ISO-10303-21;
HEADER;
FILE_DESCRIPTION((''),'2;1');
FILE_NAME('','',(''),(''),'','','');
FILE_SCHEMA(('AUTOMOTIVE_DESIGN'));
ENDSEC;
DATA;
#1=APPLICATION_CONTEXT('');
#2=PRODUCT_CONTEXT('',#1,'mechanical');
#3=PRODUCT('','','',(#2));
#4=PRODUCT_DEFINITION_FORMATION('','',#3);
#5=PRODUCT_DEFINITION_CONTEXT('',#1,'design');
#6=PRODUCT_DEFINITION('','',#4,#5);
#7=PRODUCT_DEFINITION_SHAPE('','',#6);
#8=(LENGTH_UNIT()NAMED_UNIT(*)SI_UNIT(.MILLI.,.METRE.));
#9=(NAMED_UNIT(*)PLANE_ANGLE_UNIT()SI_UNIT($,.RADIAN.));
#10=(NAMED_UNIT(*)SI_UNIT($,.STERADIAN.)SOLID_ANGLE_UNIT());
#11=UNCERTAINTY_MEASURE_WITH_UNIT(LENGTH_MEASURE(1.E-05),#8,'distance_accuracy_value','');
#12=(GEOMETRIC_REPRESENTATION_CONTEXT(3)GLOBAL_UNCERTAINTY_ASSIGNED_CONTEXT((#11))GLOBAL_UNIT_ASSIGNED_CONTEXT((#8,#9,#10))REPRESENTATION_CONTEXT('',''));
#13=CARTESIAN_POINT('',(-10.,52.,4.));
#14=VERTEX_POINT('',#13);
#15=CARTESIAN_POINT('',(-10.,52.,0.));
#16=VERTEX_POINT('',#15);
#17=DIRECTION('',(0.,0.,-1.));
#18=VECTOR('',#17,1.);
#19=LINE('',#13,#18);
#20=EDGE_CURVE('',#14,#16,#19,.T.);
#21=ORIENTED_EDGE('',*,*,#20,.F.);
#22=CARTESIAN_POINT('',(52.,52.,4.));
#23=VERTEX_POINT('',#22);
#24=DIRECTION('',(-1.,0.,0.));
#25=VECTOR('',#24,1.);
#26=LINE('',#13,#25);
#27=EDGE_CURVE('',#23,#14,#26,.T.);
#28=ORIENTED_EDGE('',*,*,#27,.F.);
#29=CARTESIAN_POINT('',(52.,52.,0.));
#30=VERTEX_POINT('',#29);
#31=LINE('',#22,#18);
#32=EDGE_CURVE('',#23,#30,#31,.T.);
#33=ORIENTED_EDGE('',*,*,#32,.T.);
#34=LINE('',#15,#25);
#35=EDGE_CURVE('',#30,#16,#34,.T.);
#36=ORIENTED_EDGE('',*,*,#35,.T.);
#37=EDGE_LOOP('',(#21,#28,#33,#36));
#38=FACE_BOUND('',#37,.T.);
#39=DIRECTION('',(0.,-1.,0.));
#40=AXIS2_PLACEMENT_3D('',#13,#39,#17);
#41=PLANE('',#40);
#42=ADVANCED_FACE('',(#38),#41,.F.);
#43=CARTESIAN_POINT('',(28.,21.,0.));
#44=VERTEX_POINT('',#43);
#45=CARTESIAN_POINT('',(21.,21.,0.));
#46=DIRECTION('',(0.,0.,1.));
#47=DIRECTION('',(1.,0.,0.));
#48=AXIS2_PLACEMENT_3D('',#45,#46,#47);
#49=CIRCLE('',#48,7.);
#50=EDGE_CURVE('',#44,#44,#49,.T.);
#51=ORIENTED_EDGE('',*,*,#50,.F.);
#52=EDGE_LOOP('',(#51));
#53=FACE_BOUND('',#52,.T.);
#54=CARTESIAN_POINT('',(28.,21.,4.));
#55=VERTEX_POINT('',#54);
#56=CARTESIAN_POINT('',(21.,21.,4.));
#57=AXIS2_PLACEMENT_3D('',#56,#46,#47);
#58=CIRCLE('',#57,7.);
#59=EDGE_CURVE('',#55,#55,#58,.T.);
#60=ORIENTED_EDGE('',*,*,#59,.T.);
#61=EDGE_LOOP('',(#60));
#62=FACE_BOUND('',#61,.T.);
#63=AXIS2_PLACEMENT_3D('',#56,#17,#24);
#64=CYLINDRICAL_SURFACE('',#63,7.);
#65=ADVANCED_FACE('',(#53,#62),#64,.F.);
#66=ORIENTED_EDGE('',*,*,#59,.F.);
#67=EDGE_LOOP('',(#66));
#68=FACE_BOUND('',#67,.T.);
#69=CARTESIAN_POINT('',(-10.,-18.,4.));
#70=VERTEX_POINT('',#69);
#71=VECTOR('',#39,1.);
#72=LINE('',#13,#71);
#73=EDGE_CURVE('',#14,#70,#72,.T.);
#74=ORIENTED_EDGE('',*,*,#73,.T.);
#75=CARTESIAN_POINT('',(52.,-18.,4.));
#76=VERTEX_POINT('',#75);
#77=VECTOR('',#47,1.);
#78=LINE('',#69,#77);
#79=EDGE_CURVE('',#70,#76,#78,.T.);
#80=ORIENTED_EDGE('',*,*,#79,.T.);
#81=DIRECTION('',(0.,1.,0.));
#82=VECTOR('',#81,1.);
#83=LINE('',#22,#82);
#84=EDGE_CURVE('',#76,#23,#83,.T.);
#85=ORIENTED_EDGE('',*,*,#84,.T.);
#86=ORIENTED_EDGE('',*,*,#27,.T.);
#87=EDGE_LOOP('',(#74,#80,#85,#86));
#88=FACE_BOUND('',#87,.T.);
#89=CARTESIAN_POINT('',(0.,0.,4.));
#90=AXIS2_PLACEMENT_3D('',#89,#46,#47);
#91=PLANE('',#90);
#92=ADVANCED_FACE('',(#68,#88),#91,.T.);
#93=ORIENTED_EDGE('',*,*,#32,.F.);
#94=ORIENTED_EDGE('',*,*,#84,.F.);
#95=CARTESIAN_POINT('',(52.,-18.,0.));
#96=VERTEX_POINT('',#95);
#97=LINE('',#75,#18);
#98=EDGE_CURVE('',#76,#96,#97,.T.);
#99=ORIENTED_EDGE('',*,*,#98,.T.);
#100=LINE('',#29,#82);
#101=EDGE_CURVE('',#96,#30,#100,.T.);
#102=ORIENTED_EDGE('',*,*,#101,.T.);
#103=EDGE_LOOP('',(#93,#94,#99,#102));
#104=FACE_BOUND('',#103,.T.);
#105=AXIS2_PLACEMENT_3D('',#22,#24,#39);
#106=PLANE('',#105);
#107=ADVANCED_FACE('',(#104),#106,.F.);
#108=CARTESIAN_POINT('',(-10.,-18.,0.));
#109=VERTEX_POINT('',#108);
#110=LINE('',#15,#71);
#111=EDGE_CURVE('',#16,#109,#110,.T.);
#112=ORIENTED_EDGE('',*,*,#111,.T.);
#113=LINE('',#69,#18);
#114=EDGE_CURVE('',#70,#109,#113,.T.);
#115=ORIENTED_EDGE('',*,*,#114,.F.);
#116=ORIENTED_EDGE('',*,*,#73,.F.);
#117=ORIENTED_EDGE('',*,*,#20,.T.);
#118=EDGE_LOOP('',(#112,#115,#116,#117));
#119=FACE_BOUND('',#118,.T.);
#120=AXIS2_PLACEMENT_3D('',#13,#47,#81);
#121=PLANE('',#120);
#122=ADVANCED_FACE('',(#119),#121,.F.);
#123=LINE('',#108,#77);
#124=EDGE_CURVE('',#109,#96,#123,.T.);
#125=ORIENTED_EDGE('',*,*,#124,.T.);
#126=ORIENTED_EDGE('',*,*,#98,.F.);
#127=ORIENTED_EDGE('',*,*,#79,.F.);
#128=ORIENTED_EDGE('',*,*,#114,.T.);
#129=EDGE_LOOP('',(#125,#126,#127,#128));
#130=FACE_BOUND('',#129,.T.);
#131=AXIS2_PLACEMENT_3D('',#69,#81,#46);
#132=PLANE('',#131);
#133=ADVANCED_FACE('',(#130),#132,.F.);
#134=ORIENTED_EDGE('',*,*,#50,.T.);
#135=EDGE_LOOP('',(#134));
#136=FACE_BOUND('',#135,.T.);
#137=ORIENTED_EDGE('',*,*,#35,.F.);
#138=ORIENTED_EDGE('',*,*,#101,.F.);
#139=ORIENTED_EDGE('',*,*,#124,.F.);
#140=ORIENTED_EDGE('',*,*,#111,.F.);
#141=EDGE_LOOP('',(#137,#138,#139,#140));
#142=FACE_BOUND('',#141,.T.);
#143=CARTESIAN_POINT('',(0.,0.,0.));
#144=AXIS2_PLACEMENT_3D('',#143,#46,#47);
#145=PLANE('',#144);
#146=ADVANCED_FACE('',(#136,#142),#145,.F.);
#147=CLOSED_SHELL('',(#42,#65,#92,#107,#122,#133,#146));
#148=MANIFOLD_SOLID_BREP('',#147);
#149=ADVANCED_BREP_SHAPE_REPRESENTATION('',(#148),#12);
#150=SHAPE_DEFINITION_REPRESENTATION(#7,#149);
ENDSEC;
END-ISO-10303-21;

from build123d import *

# Parameters (mm, degrees)
SKETCH1_W           = 62
SKETCH1_H           = 70
SKETCH1_R           = 7
BOSS_EXTRUDE1_DEPTH = 4


with BuildPart() as part:
    # Sketch1 → Boss-Extrude1 (new body)
    with BuildSketch(Plane.XY):
        with Locations((21, 17)):
            Rectangle(SKETCH1_W, SKETCH1_H)
        with Locations((21, 21)):
            Circle(SKETCH1_R, mode=Mode.SUBTRACT)
    extrude(amount=BOSS_EXTRUDE1_DEPTH)


solid = part.part
